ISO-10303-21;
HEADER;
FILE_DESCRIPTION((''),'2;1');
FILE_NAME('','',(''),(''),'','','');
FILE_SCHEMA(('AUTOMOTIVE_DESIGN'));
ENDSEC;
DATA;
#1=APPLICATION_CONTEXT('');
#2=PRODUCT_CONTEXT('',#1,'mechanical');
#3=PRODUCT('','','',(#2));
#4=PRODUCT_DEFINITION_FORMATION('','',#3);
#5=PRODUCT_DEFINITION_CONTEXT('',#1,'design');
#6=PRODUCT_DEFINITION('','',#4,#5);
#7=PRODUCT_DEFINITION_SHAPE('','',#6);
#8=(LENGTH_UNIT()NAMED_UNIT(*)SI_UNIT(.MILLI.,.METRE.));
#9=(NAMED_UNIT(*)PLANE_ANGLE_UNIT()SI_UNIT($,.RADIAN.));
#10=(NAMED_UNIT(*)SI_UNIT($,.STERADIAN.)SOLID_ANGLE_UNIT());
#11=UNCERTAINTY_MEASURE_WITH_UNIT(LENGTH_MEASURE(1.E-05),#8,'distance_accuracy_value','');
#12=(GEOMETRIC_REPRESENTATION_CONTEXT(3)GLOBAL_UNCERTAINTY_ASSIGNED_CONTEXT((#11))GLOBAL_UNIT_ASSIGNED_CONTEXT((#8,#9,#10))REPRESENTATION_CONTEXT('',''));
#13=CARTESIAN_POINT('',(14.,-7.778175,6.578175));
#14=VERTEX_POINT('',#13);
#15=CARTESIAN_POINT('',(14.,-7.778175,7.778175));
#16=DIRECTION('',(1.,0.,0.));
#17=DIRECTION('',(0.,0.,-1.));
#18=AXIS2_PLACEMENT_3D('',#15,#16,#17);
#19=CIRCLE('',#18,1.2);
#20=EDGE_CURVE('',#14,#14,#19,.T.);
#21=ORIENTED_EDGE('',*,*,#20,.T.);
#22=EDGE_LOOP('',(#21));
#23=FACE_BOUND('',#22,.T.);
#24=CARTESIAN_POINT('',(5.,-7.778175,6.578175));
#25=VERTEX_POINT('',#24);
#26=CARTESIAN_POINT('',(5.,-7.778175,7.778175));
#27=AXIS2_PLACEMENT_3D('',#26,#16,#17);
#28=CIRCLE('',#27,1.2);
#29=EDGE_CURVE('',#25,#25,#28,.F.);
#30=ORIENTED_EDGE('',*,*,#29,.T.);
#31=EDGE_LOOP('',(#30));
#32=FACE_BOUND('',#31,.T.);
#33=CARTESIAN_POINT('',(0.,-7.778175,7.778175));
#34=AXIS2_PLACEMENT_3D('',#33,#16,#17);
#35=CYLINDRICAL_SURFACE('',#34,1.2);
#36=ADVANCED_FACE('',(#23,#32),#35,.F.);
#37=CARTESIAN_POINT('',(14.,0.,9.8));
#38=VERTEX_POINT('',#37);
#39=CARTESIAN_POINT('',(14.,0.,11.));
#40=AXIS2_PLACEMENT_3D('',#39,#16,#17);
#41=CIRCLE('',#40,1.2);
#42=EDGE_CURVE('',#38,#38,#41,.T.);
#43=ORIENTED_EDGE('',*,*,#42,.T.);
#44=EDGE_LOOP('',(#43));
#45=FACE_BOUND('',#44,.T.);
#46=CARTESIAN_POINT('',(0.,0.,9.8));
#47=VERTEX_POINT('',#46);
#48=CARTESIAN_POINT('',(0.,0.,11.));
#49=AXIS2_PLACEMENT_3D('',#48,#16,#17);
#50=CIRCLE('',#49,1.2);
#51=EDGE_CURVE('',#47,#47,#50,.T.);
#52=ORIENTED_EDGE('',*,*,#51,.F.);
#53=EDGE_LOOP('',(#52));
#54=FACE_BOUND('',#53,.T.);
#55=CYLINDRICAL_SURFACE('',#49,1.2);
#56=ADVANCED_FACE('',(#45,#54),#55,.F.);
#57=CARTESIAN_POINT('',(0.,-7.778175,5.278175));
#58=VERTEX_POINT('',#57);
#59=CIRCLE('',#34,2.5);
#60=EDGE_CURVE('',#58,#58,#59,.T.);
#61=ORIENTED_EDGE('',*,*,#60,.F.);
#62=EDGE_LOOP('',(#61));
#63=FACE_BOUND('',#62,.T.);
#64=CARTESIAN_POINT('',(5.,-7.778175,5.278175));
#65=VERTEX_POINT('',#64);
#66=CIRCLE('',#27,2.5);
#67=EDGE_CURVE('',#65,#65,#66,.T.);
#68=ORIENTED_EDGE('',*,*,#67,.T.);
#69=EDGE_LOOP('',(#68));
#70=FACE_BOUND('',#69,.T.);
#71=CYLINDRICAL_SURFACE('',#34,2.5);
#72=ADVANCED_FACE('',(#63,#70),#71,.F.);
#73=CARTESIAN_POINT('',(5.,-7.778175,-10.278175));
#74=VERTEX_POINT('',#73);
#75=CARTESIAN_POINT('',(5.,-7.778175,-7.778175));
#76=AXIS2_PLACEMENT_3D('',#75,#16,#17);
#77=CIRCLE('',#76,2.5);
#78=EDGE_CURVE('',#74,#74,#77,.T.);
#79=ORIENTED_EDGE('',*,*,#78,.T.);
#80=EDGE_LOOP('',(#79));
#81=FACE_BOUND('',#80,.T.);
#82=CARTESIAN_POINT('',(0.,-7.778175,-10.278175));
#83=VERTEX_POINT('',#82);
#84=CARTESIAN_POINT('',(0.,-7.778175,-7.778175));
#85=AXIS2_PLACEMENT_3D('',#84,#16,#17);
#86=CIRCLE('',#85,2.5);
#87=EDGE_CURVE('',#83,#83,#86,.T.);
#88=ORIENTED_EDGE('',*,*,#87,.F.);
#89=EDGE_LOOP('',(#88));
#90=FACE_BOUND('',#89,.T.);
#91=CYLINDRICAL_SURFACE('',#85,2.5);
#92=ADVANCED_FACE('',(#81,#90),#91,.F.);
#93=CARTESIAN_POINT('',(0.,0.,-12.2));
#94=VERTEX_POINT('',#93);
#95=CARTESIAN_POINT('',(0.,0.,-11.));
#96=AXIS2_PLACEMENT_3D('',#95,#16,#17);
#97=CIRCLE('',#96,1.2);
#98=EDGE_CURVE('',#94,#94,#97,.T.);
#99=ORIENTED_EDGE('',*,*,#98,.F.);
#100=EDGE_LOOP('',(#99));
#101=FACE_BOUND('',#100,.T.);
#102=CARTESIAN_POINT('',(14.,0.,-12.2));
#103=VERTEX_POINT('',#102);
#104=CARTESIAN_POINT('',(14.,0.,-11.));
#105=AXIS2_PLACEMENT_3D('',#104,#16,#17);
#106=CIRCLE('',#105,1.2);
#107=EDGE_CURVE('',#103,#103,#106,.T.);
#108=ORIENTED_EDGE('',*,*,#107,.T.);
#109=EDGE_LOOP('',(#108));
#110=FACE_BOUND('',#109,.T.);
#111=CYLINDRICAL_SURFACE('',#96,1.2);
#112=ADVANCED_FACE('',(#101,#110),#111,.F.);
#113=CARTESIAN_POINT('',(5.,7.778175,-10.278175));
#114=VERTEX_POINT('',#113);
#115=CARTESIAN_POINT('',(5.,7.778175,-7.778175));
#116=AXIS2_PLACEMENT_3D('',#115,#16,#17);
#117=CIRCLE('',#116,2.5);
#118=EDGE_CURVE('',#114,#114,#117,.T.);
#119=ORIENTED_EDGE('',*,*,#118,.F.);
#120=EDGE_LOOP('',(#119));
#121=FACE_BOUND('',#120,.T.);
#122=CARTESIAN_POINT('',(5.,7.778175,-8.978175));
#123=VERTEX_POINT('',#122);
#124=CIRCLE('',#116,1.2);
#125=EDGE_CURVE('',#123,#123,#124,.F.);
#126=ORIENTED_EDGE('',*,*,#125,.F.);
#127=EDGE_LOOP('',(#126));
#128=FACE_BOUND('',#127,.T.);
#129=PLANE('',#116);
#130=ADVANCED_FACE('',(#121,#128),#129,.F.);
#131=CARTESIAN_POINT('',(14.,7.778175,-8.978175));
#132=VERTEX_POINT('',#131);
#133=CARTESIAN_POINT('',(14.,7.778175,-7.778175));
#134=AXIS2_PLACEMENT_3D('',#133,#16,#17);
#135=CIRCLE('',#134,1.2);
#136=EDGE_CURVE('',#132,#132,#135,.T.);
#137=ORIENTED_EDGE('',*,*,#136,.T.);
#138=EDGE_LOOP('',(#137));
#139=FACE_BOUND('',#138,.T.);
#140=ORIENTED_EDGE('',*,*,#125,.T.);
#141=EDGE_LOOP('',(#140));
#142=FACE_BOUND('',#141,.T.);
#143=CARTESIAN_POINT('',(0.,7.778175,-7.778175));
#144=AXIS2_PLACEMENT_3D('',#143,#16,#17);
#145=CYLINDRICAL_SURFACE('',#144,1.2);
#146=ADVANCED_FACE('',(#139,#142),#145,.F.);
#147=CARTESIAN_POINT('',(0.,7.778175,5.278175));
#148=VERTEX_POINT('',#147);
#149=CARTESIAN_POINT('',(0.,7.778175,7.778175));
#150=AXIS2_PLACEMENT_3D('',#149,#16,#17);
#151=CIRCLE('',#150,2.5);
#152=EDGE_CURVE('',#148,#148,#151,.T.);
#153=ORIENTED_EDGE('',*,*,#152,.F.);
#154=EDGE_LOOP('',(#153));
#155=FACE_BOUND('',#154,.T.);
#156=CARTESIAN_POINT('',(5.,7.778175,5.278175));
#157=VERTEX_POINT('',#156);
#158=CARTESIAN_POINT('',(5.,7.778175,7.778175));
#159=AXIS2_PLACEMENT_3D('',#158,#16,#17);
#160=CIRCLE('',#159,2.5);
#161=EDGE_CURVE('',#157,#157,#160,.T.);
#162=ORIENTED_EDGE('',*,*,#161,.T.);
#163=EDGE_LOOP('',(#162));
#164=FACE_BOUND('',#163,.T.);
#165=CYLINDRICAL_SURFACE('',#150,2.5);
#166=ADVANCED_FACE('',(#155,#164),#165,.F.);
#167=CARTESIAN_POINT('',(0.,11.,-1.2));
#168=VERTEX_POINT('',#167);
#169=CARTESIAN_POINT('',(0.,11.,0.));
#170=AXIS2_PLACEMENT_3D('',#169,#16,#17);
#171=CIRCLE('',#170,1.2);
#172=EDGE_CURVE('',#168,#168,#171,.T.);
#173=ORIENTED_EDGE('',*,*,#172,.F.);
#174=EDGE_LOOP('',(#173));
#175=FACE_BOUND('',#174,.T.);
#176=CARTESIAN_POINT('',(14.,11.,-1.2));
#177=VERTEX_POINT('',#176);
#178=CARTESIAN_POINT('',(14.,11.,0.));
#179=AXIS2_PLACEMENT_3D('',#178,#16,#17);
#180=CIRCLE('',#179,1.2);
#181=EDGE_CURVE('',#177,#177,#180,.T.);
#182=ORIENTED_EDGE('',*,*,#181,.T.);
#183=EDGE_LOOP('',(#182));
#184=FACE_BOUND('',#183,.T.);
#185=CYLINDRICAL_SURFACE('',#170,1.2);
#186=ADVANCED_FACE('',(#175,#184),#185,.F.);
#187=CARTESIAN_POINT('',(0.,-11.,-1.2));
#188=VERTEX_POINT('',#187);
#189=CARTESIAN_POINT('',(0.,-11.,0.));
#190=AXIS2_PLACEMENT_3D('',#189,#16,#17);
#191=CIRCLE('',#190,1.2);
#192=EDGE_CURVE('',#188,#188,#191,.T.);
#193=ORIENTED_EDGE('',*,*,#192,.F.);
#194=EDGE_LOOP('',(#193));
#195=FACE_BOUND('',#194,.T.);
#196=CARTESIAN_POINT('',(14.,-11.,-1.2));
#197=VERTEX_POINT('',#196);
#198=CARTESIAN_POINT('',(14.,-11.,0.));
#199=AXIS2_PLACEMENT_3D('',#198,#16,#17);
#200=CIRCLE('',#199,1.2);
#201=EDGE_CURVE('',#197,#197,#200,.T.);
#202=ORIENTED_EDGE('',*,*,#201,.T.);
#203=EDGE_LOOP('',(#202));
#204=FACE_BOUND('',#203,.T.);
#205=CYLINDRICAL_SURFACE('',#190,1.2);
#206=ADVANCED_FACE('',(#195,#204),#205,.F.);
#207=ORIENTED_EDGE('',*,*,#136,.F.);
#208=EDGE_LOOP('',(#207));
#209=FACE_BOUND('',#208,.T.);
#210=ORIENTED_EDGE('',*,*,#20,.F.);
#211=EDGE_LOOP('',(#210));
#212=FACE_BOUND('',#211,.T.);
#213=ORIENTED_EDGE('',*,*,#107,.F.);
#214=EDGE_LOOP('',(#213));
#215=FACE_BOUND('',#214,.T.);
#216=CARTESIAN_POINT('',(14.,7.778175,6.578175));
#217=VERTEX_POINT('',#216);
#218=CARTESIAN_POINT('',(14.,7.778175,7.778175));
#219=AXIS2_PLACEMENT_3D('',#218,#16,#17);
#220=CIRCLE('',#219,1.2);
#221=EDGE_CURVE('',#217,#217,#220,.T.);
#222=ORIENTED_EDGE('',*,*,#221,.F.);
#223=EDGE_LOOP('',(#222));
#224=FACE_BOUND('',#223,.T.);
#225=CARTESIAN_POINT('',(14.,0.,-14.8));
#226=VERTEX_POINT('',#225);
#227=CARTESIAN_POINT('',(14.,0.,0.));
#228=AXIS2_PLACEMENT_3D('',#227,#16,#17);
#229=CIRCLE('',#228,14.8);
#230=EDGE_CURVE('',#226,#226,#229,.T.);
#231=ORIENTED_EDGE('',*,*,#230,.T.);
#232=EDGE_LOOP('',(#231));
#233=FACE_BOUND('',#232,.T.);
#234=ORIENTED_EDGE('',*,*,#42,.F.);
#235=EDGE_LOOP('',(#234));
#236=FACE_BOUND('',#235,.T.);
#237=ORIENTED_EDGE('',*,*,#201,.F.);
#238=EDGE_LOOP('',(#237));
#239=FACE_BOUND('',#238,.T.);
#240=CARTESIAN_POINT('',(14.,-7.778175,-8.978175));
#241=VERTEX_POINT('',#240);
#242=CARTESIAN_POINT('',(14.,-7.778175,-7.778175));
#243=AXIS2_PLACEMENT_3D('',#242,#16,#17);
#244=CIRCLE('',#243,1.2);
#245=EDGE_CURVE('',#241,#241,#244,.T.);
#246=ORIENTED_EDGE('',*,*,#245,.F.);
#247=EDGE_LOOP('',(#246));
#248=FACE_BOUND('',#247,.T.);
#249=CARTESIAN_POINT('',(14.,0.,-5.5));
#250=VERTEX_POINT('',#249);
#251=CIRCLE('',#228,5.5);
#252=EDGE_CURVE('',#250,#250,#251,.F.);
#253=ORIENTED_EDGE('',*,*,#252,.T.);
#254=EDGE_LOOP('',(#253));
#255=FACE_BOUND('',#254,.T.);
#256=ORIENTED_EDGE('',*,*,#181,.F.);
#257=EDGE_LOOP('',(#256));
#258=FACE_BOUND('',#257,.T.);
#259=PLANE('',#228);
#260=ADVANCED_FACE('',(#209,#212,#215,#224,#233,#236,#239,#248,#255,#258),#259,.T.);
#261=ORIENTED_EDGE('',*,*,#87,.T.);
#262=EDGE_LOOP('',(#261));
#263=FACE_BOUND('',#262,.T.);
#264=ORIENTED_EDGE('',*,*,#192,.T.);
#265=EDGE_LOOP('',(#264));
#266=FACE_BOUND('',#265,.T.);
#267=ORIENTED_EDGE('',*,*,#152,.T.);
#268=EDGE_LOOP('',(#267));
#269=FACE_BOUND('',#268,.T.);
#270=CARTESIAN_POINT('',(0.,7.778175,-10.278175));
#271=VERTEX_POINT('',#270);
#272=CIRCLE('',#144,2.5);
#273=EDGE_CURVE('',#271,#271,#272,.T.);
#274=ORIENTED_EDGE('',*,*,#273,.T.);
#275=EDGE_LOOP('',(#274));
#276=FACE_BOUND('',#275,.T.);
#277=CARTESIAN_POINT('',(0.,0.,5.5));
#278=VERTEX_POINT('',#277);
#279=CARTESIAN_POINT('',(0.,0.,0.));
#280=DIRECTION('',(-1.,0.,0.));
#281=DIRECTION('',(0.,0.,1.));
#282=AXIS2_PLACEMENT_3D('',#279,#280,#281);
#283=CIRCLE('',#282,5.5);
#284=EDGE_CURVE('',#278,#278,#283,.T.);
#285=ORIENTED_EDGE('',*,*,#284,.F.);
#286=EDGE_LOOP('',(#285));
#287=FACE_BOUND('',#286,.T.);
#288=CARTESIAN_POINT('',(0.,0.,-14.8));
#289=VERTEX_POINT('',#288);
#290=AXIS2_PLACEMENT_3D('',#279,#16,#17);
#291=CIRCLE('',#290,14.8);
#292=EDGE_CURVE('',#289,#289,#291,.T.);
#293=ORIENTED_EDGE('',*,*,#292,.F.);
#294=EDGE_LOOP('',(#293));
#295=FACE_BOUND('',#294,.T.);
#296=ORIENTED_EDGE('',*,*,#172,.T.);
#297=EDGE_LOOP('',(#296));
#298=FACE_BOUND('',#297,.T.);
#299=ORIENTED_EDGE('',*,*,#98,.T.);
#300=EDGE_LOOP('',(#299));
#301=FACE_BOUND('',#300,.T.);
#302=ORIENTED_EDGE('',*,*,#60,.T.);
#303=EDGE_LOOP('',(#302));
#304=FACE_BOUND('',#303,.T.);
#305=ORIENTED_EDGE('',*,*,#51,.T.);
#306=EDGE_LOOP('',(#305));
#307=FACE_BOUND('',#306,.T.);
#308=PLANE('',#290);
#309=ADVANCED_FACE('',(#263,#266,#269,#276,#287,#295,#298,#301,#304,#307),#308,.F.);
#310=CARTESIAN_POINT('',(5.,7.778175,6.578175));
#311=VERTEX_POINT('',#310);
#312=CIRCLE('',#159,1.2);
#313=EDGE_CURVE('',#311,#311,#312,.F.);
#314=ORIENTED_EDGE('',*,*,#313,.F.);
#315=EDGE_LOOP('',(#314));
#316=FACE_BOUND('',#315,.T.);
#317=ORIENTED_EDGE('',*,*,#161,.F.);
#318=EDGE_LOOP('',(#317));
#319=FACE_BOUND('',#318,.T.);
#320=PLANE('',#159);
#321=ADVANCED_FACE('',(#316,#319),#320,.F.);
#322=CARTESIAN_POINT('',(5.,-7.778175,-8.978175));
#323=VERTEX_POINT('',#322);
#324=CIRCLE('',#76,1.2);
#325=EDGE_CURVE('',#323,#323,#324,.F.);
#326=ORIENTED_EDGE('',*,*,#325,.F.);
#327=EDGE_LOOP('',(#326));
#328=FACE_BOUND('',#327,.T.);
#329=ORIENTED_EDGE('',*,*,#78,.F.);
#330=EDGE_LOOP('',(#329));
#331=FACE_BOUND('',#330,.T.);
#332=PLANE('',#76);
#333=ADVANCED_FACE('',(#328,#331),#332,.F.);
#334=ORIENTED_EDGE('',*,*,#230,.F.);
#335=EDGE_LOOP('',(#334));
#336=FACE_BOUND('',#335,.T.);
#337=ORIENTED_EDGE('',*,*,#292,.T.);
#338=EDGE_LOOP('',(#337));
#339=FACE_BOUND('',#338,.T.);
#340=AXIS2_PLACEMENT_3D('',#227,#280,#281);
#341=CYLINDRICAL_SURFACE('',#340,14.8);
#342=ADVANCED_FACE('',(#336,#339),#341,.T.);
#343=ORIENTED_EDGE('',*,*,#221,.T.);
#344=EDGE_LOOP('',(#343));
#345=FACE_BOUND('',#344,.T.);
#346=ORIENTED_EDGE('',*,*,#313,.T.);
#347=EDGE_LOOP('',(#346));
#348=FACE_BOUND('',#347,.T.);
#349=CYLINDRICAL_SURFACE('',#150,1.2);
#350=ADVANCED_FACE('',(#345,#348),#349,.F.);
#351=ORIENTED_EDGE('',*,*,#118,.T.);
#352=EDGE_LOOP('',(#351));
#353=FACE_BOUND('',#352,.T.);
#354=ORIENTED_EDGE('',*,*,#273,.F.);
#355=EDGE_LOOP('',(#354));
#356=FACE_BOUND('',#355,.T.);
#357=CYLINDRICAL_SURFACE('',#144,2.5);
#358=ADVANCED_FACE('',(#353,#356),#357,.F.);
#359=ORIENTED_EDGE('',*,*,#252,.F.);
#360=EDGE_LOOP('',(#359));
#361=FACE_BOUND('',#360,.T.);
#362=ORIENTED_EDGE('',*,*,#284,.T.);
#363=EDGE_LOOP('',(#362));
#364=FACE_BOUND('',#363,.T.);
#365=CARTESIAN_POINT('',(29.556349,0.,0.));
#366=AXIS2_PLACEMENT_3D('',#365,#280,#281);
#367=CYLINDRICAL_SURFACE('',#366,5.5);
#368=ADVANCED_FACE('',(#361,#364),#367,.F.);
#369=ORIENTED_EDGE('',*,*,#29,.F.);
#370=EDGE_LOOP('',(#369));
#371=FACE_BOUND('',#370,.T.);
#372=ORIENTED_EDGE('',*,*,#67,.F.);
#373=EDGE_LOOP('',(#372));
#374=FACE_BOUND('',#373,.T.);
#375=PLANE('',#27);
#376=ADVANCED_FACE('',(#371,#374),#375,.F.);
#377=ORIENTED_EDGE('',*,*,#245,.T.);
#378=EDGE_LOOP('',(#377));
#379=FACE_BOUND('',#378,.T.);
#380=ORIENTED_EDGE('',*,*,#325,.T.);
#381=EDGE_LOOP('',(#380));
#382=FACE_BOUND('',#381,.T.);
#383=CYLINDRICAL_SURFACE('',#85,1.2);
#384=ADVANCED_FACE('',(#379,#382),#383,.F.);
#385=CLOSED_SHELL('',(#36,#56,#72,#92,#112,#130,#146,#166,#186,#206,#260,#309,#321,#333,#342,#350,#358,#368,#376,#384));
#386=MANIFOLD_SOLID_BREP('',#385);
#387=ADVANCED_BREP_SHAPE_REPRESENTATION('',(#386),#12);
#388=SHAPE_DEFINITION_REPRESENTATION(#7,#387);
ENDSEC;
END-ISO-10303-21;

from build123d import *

# Parameters (mm, degrees)
SKETCH1_R               = 14.8
BOSS_EXTRUDE1_DEPTH     = 14
SKETCH2_R               = 1.2
CUT_EXTRUDE1_DEPTH      = 1
CUT_EXTRUDE1_DEPTH_BACK = 15
SKETCH3_R               = 5.5
CUT_EXTRUDE2_DEPTH      = 14
CUT_EXTRUDE3_START      = -9
SKETCH5_R               = 2.5
CUT_EXTRUDE3_DEPTH      = 6


with BuildPart() as part:
    # Sketch1 → Boss-Extrude1 (new body)
    with BuildSketch(Plane(origin=(0, 0, 0), x_dir=(0, 0, -1), z_dir=(1, 0, 0))):
        Circle(SKETCH1_R)
    extrude(amount=BOSS_EXTRUDE1_DEPTH)

    # Sketch2 → Cut-Extrude1 (cut, two sides)
    with BuildSketch(Plane(origin=(14, 0, 0), x_dir=(0, 0, -1), z_dir=(1, 0, 0))) as cut_extrude1_sk:
        with Locations((0, 11)):
            Circle(SKETCH2_R)
        with Locations((7.778174593, 7.778174593)):
            Circle(SKETCH2_R)
        with Locations((11, 0)):
            Circle(SKETCH2_R)
        with Locations((7.778174593, -7.778174593)):
            Circle(SKETCH2_R)
        with Locations((0, -11)):
            Circle(SKETCH2_R)
        with Locations((-7.778174593, -7.778174593)):
            Circle(SKETCH2_R)
        with Locations((-11, 0)):
            Circle(SKETCH2_R)
        with Locations((-7.778174593, 7.778174593)):
            Circle(SKETCH2_R)
    extrude(amount=CUT_EXTRUDE1_DEPTH, mode=Mode.SUBTRACT)
    extrude(cut_extrude1_sk.sketch, amount=-CUT_EXTRUDE1_DEPTH_BACK, mode=Mode.SUBTRACT)

    # Sketch3 → Cut-Extrude2 (cut)
    with BuildSketch(Plane.ZY):
        Circle(SKETCH3_R)
    extrude(amount=-CUT_EXTRUDE2_DEPTH, mode=Mode.SUBTRACT)

    # Sketch5 → Cut-Extrude3 (cut, through all)
    with BuildSketch(Plane(origin=(14, 0, 0), x_dir=(0, 0, -1), z_dir=(1, 0, 0)).offset(CUT_EXTRUDE3_START)):
        with Locations((7.778174593, 7.778174593)):
            Circle(SKETCH5_R)
        with Locations((-7.778174593, -7.778174593)):
            Circle(SKETCH5_R)
        with Locations((7.778174593, -7.778174593)):
            Circle(SKETCH5_R)
        with Locations((-7.778174593, 7.778174593)):
            Circle(SKETCH5_R)
    extrude(amount=-CUT_EXTRUDE3_DEPTH, mode=Mode.SUBTRACT)


solid = part.part
